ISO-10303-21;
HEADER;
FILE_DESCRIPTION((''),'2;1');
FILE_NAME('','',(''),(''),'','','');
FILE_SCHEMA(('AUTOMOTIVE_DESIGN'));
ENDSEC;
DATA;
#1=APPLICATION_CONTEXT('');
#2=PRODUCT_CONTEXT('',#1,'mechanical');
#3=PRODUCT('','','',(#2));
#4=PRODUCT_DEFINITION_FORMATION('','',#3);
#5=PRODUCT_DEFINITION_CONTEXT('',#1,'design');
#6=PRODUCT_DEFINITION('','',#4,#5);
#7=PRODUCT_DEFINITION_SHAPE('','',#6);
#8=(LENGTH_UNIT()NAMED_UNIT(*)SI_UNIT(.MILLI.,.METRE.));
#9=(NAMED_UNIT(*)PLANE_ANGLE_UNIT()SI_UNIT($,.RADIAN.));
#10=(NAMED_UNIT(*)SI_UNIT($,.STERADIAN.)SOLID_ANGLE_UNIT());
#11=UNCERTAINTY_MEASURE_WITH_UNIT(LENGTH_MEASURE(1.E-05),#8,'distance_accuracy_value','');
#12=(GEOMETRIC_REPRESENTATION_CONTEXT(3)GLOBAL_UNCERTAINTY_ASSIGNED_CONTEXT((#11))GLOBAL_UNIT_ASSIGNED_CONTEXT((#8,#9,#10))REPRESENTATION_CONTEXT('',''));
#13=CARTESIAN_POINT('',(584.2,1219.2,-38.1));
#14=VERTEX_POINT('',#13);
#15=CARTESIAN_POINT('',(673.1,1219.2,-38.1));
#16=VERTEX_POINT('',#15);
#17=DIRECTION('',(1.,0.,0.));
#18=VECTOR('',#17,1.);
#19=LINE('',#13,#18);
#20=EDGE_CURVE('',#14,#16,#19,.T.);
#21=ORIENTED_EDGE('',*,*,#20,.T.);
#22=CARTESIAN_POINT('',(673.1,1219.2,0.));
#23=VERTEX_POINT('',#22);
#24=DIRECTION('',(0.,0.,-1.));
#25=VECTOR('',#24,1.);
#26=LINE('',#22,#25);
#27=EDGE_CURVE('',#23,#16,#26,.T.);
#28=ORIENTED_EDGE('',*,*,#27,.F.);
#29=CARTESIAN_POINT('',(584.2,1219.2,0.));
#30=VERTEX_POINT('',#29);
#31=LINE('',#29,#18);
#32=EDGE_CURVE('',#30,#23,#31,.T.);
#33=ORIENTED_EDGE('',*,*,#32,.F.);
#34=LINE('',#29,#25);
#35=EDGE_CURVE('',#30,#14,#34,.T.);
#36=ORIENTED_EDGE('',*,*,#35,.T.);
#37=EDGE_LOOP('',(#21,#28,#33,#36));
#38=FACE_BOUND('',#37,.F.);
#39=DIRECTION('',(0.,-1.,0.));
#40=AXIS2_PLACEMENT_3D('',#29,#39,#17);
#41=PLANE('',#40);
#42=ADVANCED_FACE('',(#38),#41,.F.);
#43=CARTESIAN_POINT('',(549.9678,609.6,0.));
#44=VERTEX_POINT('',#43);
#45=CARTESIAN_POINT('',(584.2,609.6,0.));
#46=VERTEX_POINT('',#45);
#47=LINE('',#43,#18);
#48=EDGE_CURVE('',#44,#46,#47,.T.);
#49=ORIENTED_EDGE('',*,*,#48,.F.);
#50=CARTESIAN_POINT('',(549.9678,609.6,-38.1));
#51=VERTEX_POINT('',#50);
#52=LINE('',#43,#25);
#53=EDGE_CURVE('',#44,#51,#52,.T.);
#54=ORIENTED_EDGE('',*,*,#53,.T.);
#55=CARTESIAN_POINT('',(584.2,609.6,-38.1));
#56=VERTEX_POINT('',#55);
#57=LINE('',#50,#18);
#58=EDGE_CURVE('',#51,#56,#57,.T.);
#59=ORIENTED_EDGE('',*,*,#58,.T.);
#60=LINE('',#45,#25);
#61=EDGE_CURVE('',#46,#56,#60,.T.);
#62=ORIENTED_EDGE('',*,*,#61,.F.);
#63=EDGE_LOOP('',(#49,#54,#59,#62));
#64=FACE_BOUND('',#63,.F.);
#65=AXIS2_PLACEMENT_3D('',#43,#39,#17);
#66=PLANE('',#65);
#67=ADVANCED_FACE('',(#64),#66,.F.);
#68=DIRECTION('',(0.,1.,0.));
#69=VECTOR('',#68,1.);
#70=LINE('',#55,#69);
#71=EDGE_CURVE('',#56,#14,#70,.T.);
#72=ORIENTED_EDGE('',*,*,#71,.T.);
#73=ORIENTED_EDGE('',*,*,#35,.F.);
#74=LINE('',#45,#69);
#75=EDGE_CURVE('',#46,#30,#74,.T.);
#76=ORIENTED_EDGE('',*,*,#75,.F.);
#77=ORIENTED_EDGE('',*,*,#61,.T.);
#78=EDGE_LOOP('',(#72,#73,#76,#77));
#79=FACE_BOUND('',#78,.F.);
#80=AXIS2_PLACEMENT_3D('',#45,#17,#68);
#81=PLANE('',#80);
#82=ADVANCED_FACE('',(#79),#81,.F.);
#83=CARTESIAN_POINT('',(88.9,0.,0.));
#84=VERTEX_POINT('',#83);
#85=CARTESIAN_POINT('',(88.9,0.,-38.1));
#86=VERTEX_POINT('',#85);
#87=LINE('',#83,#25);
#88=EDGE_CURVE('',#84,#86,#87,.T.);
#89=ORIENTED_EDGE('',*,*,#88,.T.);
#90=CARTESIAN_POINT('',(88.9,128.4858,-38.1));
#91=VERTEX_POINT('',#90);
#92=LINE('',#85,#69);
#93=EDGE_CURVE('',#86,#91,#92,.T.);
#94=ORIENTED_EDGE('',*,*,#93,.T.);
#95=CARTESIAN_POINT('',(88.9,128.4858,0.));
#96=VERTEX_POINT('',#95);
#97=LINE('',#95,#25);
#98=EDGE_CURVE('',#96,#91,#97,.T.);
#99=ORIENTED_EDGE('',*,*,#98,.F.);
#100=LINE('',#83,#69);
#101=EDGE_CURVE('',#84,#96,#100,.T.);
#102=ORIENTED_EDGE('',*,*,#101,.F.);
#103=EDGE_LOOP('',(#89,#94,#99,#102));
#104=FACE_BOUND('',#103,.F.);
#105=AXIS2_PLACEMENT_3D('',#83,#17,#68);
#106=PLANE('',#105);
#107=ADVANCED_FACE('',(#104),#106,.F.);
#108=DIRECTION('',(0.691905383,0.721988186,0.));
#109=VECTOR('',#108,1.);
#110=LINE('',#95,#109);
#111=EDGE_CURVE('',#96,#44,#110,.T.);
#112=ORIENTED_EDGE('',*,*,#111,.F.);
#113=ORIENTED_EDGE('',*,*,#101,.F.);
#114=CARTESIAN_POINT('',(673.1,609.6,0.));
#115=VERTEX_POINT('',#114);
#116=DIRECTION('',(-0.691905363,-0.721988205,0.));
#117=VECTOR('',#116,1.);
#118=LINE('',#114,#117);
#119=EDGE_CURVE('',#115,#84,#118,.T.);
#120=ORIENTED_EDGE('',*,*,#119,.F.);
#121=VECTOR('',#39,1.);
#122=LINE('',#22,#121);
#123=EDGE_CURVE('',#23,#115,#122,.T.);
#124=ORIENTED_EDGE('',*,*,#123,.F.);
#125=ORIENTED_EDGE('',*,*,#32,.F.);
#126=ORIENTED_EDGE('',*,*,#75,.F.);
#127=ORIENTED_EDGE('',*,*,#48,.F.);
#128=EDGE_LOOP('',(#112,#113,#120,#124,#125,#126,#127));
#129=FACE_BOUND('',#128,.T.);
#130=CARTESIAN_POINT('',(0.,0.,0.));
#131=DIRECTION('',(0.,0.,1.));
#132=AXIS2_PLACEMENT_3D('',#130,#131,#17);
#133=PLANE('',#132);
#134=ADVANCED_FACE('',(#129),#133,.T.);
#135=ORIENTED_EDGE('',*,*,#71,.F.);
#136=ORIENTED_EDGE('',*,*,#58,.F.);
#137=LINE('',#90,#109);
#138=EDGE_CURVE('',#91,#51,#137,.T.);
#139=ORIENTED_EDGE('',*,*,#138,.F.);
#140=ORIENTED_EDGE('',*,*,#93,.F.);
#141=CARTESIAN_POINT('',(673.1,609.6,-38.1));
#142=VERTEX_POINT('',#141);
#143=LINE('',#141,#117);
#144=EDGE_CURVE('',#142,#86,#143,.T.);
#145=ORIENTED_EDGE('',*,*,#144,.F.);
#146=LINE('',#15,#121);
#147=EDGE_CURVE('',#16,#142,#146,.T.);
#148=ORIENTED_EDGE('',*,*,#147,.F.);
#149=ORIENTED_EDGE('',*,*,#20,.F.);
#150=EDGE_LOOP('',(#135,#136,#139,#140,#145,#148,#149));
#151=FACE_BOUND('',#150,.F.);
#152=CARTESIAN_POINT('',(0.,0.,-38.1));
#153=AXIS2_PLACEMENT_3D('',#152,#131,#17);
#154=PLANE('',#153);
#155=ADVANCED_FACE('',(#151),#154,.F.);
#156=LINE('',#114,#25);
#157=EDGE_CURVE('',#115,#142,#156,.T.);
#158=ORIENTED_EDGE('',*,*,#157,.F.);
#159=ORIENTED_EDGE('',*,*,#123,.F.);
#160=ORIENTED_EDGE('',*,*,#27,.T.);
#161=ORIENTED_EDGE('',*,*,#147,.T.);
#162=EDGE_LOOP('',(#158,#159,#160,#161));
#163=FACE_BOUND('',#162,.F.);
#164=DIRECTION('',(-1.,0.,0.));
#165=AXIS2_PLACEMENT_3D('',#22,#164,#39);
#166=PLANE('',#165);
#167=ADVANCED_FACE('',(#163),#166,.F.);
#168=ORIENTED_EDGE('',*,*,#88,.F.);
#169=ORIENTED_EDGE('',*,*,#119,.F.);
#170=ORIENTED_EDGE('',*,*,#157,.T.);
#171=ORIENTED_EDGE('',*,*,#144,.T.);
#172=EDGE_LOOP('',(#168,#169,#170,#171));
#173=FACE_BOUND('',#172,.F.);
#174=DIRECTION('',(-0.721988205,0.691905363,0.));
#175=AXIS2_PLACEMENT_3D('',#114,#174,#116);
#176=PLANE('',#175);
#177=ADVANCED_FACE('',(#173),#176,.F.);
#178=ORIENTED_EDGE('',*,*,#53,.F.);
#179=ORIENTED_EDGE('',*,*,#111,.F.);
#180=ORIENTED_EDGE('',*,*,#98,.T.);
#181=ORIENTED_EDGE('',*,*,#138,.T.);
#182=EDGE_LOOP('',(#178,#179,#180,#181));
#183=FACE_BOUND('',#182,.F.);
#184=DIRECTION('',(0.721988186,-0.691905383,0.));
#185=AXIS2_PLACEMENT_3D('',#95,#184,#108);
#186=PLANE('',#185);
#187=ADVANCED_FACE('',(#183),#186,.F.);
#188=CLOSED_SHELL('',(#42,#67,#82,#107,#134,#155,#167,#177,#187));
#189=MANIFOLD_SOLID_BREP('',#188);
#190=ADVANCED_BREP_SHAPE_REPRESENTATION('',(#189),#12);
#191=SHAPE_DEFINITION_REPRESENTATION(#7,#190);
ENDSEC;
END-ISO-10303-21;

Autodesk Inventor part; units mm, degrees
ref_plane "YZ Plane" through (0, 0, 0) normal (1, 0, 0) x (0, 1, 0)
ref_plane "XZ Plane" through (0, 0, 0) normal (0, 1, 0) x (-1, 0, 0)
ref_plane "XY Plane" through (0, 0, 0) normal (0, 0, 1) x (1, 0, 0)
sketch "Sketch1" plane through (0, 0, 0) normal (0, 0, 1) x (1, 0, 0)
  line L0 (584.2, 1219.2) -> (673.1, 1219.2) projected
  line L1 (88.9, 0) -> (88.9, 1219.2) projected
  line L2 (584.2, 1219.2) -> (-457.2, 1219.2) projected
  line L3 (673.1, 1219.2) -> (673.1, 609.6)
  line L4 (584.2, 609.6) -> (584.2, 1219.2)
  line L5 (584.2, 1219.2) -> (673.1, 1219.2)
  line L6 (673.1, 609.6) -> (88.9, 0)
  line L7 (88.9, 0) -> (88.9, 128.4858)
  line L8 (88.9, 128.4858) -> (549.9678, 609.6)
  line L9 (549.9678, 609.6) -> (584.2, 609.6)
  point P0 (0, 0)
extrude "Extrusion1" add sketch "Sketch1" against normal blind 38.1 contours L0 L3 L6 L1 L8 L9 L4
properties part number "back_side"
